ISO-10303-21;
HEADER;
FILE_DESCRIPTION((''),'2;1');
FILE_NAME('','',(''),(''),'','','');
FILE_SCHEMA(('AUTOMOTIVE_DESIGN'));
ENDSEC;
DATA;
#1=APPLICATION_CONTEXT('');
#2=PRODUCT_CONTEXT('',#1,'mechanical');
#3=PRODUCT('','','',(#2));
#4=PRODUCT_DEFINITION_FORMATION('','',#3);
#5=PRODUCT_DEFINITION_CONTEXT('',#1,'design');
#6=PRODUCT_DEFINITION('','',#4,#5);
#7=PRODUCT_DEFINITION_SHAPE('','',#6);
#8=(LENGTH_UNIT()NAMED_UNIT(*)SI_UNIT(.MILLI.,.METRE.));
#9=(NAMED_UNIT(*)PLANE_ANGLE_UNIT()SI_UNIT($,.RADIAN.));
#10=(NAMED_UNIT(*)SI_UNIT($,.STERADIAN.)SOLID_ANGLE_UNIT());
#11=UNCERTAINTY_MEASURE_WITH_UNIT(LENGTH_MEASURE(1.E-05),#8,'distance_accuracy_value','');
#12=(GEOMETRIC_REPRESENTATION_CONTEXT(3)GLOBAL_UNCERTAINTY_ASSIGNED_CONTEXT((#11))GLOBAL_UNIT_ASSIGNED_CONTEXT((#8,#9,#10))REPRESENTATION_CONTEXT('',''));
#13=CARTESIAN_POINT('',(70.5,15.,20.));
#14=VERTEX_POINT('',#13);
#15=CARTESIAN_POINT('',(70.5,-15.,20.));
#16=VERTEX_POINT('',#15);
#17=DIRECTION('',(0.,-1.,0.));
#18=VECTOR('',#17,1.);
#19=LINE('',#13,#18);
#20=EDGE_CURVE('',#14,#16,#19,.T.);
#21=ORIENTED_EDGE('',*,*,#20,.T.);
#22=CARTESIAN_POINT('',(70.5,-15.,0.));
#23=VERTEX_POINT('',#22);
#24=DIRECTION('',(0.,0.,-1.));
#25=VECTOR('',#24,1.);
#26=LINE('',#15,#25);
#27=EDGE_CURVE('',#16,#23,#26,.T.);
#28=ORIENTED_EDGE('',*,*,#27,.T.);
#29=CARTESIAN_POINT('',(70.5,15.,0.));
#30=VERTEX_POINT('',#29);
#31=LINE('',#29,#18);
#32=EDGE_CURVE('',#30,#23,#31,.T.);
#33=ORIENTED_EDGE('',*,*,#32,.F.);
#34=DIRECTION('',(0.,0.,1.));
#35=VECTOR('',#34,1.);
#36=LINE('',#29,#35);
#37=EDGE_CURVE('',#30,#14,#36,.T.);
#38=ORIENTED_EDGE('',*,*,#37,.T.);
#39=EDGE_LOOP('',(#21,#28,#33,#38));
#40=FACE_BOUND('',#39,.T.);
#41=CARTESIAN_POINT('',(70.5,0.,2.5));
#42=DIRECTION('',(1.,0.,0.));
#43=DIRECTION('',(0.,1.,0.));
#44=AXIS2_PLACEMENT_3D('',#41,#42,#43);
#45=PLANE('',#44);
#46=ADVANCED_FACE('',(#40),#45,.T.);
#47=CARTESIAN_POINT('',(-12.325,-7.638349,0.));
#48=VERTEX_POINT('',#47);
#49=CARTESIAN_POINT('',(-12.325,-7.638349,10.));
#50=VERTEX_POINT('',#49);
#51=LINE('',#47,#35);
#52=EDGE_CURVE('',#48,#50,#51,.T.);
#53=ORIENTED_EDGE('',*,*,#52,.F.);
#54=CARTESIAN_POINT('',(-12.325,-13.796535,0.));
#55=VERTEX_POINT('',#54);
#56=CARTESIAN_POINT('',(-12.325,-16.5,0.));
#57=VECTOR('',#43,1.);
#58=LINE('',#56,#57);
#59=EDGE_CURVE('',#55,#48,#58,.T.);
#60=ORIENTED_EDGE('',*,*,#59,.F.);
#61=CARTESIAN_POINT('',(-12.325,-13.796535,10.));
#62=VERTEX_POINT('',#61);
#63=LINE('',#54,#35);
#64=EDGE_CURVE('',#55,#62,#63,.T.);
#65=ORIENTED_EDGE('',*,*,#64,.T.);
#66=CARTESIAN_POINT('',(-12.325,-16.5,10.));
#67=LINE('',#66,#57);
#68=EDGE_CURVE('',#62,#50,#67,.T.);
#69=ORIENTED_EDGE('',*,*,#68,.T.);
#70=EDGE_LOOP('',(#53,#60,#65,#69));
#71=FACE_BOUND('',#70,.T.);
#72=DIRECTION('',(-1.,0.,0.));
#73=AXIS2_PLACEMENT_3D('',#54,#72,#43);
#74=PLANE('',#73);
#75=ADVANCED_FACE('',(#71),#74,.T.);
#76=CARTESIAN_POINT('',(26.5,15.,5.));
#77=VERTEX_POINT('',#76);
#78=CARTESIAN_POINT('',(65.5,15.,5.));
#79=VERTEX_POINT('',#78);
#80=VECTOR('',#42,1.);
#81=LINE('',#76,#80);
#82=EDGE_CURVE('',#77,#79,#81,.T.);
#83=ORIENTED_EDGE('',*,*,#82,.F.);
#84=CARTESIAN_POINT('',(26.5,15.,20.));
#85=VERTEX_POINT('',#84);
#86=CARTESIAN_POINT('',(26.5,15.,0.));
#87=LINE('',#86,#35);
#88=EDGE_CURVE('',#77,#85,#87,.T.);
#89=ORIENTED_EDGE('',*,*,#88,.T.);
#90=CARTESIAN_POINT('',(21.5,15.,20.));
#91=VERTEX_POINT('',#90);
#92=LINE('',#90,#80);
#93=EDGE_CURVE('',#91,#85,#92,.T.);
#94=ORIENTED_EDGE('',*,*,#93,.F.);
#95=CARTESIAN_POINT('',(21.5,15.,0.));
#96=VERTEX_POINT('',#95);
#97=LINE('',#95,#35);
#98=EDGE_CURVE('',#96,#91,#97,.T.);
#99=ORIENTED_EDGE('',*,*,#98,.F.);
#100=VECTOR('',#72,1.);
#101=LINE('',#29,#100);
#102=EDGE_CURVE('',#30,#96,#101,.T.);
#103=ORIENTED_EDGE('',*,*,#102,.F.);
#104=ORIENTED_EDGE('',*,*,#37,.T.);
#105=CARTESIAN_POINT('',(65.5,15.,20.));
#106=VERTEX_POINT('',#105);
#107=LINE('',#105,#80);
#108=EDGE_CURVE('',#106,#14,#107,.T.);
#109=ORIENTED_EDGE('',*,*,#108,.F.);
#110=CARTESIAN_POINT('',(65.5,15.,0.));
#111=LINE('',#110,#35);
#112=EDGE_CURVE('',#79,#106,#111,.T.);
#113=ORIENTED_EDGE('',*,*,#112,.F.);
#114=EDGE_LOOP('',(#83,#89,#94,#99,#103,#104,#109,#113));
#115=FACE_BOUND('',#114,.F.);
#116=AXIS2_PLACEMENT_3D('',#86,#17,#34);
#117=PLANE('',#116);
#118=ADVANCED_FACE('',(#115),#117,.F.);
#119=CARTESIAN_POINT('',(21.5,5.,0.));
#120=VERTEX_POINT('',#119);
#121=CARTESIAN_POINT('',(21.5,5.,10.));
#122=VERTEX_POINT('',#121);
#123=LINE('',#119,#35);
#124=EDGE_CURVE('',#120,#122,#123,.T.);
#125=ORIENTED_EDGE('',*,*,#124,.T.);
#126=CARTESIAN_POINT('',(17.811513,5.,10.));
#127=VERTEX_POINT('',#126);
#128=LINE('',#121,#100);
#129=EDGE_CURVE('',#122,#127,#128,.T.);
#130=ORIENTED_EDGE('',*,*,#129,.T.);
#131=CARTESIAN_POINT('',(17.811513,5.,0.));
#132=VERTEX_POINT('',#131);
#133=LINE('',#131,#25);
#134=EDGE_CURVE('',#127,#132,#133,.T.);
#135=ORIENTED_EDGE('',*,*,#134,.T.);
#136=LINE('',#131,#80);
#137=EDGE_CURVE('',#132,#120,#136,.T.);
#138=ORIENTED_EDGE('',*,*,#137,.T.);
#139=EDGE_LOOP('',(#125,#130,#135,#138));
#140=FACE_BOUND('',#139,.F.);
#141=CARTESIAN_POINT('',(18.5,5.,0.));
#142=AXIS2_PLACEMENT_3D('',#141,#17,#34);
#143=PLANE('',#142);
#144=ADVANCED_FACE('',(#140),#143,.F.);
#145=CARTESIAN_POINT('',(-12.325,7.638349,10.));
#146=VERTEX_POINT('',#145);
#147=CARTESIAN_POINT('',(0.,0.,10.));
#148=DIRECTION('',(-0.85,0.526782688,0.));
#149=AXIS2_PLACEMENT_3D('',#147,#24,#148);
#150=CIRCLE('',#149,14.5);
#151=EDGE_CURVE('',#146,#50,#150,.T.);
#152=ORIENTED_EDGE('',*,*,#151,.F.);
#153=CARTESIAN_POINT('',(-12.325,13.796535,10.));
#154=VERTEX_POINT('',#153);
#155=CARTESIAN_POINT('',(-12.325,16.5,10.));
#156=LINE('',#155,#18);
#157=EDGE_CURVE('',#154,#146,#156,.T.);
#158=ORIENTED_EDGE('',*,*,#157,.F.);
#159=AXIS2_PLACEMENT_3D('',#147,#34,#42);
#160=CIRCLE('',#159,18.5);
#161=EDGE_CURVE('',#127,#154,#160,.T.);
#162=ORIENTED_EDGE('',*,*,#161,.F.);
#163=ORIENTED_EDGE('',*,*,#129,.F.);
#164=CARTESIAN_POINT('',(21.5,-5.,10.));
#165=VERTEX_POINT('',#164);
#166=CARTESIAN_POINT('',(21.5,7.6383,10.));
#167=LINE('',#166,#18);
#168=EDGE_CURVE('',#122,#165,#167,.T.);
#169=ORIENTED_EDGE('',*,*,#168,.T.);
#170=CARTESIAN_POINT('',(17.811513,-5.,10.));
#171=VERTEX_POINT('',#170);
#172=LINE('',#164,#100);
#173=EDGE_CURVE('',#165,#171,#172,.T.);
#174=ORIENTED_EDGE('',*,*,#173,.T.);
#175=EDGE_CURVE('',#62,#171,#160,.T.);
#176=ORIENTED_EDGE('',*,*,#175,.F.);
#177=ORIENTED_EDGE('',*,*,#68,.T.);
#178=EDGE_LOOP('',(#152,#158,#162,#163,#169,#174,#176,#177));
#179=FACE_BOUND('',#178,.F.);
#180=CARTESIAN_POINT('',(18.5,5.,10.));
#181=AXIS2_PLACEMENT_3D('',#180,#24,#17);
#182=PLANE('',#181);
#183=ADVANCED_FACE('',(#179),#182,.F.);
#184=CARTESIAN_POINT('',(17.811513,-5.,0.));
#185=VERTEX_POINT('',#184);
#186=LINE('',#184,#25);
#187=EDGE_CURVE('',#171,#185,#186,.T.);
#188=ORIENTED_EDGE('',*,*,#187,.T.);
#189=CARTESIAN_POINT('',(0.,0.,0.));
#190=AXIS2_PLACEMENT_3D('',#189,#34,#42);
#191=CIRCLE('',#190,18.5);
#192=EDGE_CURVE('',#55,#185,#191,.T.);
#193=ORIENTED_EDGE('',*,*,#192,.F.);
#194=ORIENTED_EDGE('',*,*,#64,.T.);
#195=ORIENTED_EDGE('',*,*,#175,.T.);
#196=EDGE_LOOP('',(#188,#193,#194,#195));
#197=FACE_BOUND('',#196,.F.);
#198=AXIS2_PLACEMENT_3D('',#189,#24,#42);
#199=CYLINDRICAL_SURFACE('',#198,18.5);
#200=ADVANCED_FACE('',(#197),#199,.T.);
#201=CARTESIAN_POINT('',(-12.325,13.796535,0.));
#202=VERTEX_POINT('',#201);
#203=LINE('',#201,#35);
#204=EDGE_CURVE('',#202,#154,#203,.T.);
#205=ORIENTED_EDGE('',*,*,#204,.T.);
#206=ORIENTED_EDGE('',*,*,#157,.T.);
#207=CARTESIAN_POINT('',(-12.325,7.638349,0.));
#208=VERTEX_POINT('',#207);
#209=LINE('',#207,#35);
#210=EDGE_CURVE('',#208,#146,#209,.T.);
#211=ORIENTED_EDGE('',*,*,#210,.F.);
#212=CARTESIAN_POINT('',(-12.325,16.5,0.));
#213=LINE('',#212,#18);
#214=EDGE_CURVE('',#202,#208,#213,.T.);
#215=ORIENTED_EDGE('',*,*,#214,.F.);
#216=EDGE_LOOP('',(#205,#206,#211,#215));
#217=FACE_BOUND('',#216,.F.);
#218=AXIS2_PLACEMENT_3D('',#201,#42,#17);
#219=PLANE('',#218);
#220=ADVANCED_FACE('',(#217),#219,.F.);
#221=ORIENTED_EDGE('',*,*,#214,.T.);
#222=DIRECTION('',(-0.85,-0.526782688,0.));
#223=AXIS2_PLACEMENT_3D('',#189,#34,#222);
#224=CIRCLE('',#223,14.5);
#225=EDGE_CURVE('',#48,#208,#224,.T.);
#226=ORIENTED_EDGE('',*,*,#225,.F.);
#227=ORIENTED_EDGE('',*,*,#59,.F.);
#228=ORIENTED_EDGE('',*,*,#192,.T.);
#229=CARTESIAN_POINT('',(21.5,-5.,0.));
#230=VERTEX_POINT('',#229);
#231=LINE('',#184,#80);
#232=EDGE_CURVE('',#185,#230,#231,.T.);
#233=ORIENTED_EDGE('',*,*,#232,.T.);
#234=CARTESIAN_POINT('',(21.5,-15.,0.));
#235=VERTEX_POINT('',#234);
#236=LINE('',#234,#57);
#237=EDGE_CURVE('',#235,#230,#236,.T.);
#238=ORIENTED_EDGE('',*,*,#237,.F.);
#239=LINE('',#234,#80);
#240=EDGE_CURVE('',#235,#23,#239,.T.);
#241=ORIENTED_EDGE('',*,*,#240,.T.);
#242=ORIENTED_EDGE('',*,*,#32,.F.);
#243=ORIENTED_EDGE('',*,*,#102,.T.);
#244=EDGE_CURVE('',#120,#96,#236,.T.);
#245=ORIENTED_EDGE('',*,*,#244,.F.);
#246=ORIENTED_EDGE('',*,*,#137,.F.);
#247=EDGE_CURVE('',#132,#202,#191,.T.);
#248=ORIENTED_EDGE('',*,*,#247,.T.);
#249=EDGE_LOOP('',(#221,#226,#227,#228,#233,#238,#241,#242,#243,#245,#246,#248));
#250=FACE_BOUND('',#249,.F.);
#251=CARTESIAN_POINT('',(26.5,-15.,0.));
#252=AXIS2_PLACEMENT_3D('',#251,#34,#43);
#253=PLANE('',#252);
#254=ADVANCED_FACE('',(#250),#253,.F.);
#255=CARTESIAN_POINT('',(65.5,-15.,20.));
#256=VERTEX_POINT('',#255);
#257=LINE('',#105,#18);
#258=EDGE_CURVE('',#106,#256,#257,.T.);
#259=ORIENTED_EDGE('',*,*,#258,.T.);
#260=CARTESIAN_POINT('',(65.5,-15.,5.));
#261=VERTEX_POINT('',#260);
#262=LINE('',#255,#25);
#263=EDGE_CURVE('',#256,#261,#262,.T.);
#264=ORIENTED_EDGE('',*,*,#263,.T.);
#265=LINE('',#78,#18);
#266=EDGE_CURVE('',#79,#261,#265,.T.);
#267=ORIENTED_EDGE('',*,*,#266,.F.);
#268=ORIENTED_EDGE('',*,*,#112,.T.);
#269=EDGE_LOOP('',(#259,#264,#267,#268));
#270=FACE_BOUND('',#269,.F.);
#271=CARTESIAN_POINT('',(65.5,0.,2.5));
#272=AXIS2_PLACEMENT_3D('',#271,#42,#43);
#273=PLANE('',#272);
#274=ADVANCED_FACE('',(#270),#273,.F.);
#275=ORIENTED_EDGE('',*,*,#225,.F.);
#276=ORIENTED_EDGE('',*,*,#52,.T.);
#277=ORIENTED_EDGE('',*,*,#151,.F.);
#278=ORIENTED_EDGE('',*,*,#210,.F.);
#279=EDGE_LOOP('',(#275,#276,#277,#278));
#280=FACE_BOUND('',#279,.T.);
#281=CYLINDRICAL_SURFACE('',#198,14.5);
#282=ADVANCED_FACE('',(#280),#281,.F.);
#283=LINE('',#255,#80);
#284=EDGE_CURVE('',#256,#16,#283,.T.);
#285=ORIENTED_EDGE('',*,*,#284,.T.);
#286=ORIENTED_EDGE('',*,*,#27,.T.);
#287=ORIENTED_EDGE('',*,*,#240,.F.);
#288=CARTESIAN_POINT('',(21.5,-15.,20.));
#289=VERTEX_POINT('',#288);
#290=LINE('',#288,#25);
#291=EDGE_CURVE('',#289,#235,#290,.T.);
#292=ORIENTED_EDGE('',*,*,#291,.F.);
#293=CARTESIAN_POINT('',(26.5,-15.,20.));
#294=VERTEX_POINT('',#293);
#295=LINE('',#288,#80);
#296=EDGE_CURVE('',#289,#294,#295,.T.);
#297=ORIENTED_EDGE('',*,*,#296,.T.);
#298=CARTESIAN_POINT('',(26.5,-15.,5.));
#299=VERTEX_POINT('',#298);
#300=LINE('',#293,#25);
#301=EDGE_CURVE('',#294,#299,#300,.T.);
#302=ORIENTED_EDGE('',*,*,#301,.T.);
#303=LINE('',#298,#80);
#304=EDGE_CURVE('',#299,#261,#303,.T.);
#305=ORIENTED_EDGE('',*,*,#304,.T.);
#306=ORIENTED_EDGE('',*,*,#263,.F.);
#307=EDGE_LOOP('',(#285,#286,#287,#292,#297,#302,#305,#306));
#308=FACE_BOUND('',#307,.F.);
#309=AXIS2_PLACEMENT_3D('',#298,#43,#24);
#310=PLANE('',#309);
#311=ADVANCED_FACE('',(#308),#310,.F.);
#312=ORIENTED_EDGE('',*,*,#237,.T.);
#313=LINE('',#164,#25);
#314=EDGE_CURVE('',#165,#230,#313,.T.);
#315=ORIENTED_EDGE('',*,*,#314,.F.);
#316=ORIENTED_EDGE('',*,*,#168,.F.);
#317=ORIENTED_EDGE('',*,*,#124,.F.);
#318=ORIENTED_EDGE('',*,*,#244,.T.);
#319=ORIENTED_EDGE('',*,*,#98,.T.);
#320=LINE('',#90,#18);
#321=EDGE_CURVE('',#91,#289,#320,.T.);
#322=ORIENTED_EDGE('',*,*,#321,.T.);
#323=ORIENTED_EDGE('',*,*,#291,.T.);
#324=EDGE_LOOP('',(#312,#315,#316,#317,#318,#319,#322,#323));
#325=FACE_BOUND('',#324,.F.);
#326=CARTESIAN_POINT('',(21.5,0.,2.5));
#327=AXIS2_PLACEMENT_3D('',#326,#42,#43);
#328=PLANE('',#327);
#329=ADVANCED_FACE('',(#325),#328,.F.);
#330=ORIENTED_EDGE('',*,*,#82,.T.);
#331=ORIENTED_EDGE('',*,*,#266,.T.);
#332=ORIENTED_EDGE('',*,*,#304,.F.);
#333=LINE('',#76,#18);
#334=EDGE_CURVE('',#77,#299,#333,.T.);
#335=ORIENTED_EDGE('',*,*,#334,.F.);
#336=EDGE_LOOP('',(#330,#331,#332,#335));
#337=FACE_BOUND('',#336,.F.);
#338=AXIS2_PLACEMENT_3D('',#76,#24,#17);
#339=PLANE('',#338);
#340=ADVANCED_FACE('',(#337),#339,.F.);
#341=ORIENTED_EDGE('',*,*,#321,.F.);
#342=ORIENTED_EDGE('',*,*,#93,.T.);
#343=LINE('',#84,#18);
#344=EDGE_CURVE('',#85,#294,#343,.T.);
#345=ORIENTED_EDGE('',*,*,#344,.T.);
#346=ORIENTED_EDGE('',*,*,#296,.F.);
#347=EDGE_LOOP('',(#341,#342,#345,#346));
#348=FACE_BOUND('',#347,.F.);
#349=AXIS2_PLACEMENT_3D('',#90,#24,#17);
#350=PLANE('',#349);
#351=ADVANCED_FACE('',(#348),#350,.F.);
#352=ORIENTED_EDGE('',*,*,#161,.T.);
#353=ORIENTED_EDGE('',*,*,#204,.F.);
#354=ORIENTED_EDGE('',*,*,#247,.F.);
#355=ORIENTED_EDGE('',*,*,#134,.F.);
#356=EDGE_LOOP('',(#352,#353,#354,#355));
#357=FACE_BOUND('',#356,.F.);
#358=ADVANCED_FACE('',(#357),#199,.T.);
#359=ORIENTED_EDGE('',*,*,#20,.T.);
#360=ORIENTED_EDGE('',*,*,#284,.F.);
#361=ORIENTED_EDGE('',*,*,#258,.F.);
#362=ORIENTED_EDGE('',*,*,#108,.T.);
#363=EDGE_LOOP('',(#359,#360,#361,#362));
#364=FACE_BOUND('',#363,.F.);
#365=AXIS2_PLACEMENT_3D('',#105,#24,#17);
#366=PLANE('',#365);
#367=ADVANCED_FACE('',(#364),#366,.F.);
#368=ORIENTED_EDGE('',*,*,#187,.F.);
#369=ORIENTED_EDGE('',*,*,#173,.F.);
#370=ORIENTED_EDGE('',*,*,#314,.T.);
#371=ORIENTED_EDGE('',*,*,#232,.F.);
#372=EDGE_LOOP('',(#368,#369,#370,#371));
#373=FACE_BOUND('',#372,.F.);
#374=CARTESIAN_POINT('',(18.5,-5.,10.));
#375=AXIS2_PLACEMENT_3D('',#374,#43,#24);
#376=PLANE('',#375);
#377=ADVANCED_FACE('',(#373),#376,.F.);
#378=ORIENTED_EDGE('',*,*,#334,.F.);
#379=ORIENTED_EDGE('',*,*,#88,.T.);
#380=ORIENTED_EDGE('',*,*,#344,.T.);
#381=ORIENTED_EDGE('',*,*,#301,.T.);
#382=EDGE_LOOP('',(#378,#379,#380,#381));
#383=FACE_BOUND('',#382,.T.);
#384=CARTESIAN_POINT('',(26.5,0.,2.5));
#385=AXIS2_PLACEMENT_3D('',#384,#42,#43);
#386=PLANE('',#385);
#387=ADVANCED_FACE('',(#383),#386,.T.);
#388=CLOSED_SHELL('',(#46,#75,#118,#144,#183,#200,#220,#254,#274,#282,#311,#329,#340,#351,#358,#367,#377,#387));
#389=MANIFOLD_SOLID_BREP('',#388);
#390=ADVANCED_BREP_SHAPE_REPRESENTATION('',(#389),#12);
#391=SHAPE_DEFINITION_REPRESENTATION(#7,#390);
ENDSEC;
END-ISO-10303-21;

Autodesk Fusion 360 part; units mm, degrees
sketch "doorStop" plane through (0, 0, 0) normal (0, 0, 1) x (1, 0, 0)
  circle A0 centre (0, 0) radius 18.5
  circle A1 centre (0, 0) radius 14.5
  line L0 (0, 0) -> (-12.325, 0) construction
  line L1 (-12.325, 0) -> (-14.5, 0)
  line L2 (-14.5, 0) -> (-14.5, 16.5)
  line L3 (-14.5, 16.5) -> (-12.325, 16.5)
  line L4 (-12.325, 16.5) -> (-12.325, 0)
  line L5 (-12.325, 0) -> (-14.5, 0)
  line L6 (-14.5, 0) -> (-14.5, -16.5)
  line L7 (-14.5, -16.5) -> (-12.325, -16.5)
  line L8 (-12.325, -16.5) -> (-12.325, 0)
  dimension "d4" = 37
  dimension "d5" = 29
  dimension "d6" = 12.325
  dimension "d7" = 2.175
  dimension "d8" = 16.5
  dimension "d9" = 2.175
  dimension "d10" = 16.5
extrude "Extrude1" add sketch "doorStop" along normal blind 10 contours A0 A1 L4 L8 makes body 1
ref_plane "WorkPlane3" through (18.5, 0, 8.3668) normal (1, 0, 0) x (0, -1, 0)
sketch "link" plane through (18.5, 0, 7.5753) normal (1, 0, 0) x (0, 1, 0)
  line L0 (-13.7965, -7.5753) -> (-7.6383, -7.5753)
  line L1 (-7.6383, 2.4247) -> (-13.7965, 2.4247)
  line L2 (-7.6383, -7.5753) -> (7.6383, -7.5753)
  line L3 (7.6383, 2.4247) -> (-7.6383, 2.4247)
  line L4 (13.7965, -7.5753) -> (7.6383, -7.5753)
  line L5 (13.7965, 2.4247) -> (7.6383, 2.4247)
  line L6 (-13.7965, -7.5753) -> (-18.5, -7.5753)
  line L7 (18.5, -7.5753) -> (13.7965, -7.5753)
  line L8 (-13.7965, 2.4247) -> (-18.5, 2.4247)
  line L9 (18.5, 2.4247) -> (13.7965, 2.4247)
  line L10 (18.5, -7.5753) -> (18.5, 2.4247)
  line L11 (-18.5, -7.5753) -> (-18.5, 2.4247)
  line L12 (-18.5, -7.5753) -> (18.5, -7.5753) construction
  line L13 (-18.5, -7.5753) -> (18.5, -7.5753) construction
  line L14 (0, -7.5753) -> (-5, -7.5753) construction
  line L15 (-5, -7.5753) -> (5, -7.5753)
  line L16 (5, -7.5753) -> (5, 2.4247)
  line L17 (5, 2.4247) -> (-5, 2.4247)
  line L18 (-5, 2.4247) -> (-5, -7.5753)
  point P0 (0, -7.5753)
  dimension "d20" = 5
  dimension "d21" = 10
  dimension "d22" = 10
extrude "Extrude2" add sketch "link" along normal blind 3 separate body contours L2 L3 L15 L16 L17 L18 makes body 2
extrude "Extrude3" add 1 faces at (18.5, -1.6667, 6.6667) along direction (-1, 0, 0) blind 1 on bodies 2 bodies 2 1
ref_plane "WorkPlane4" through (21.5, 0, 5) normal (1, 0, 0) x (0, 0, -1)
sketch "doorHolder1" plane through (21.5, 0, 2.5) normal (1, 0, 0) x (0, 1, 0)
  line L0 (-5, 7.5) -> (-5, -2.5)
  line L1 (-5, -2.5) -> (5, -2.5)
  line L2 (5, -2.5) -> (5, 7.5)
  line L3 (5, 7.5) -> (-5, 7.5)
  line L4 (-5, -2.5) -> (5, -2.5) construction
  line L5 (0, -2.5) -> (-15, -2.5) construction
  line L6 (-15, -2.5) -> (15, -2.5)
  line L7 (15, -2.5) -> (15, 17.5)
  line L8 (15, 17.5) -> (-15, 17.5)
  line L9 (-15, 17.5) -> (-15, -2.5)
  point P0 (0, -2.5)
  dimension "d31" = 15
  dimension "d32" = 30
  dimension "d33" = 20
extrude "Extrude4" add sketch "doorHolder1" along normal blind 5 bodies 2
ref_plane "WorkPlane5" through (26.5, 0, 10) normal (1, 0, 0) x (0, 0, -1)
sketch "doorHolderBottom" plane through (26.5, 0, 10) normal (1, 0, 0) x (0, 1, 0)
  line L0 (-15, 10) -> (-15, -10)
  line L1 (-15, -10) -> (15, -10)
  line L2 (15, -10) -> (15, 10)
  line L3 (15, 10) -> (-15, 10)
  line L4 (-15, -10) -> (15, -10)
  line L5 (15, -10) -> (15, -5)
  line L6 (15, -5) -> (-15, -5)
  line L7 (-15, -5) -> (-15, -10)
  dimension "d37" = 30
  dimension "d38" = 5
extrude "Extrude5" add sketch "doorHolderBottom" along normal blind 39 contours L0 L1 L2 L4 L5 L6 L7 bodies 2
ref_plane "WorkPlane6" through (65.5, 0, 2.5) normal (1, 0, 0) x (0, 0, -1)
sketch "doorHolder2" plane through (65.5, 0, 2.5) normal (1, 0, 0) x (0, 1, 0)
  line L0 (0, -2.5) -> (-15, -2.5) construction
  line L1 (-15, -2.5) -> (15, -2.5)
  line L2 (15, 17.5) -> (-15, 17.5)
  line L3 (15, -2.5) -> (15, 17.5)
  line L4 (-2.5, 2.5) -> (-2.5, -2.5)
  line L5 (-15, 17.5) -> (-15, -2.5)
  line L6 (2.5, 2.5) -> (-2.5, 2.5)
  line L7 (-2.5, -2.5) -> (2.5, -2.5) construction
  line L8 (2.5, -2.5) -> (2.5, 2.5)
  line L9 (-2.5, -2.5) -> (2.5, -2.5)
  point P0 (0, -2.5)
  dimension "d43" = 15
  dimension "d44" = 30
  dimension "d45" = 20
extrude "Extrude6" add sketch "doorHolder2" along normal blind 5 bodies 2
equation "doorStopDiameter = 29 mm"
equation "doorStopHolderThickness = 4 mm"
equation "d4 = doorStopDiameter + ( 2 * doorStopHolderThickness )"
equation "d5 = doorStopDiameter"
equation "d6 = ( doorStopDiameter / 2 ) * ( doorStopHolderClosurePercent )"
equation "d7 = ( doorStopDiameter / 2 ) * ( 1 - doorStopHolderClosurePercent )"
equation "d8 = ( doorStopDiameter + doorStopHolderThickness ) / 2"
equation "d9 = ( doorStopDiameter / 2 ) * ( 1 - doorStopHolderClosurePercent )"
equation "d10 = ( doorStopDiameter + doorStopHolderThickness ) / 2"
equation "d11 = doorStopHeight"
equation "doorStopHeight = 10 mm"
equation "linkLength = 3 mm"
equation "linkThickness = 10 mm"
equation "d20 = linkThickness / 2"
equation "d21 = linkThickness"
equation "d22 = doorStopHeight"
equation "d23 = linkLength"
equation "doorHolderHeight = 15 mm"
equation "doorHolderWidth = 30 mm"
equation "doorHolderThickness = 5 mm"
equation "d31 = doorHolderWidth / 2"
equation "d32 = doorHolderWidth"
equation "d33 = doorHolderHeight + doorHolderThickness"
equation "d34 = doorHolderThickness"
equation "d37 = doorHolderWidth"
equation "d38 = doorHolderThickness"
equation "d39 = doorThickness"
equation "doorThickness = 39 mm"
equation "d43 = doorHolderWidth / 2"
equation "d44 = doorHolderWidth"
equation "d45 = doorHolderHeight + doorHolderThickness"
equation "d46 = doorHolderThickness"
equation "doorStopHolderClosurePercent = 0.85"
